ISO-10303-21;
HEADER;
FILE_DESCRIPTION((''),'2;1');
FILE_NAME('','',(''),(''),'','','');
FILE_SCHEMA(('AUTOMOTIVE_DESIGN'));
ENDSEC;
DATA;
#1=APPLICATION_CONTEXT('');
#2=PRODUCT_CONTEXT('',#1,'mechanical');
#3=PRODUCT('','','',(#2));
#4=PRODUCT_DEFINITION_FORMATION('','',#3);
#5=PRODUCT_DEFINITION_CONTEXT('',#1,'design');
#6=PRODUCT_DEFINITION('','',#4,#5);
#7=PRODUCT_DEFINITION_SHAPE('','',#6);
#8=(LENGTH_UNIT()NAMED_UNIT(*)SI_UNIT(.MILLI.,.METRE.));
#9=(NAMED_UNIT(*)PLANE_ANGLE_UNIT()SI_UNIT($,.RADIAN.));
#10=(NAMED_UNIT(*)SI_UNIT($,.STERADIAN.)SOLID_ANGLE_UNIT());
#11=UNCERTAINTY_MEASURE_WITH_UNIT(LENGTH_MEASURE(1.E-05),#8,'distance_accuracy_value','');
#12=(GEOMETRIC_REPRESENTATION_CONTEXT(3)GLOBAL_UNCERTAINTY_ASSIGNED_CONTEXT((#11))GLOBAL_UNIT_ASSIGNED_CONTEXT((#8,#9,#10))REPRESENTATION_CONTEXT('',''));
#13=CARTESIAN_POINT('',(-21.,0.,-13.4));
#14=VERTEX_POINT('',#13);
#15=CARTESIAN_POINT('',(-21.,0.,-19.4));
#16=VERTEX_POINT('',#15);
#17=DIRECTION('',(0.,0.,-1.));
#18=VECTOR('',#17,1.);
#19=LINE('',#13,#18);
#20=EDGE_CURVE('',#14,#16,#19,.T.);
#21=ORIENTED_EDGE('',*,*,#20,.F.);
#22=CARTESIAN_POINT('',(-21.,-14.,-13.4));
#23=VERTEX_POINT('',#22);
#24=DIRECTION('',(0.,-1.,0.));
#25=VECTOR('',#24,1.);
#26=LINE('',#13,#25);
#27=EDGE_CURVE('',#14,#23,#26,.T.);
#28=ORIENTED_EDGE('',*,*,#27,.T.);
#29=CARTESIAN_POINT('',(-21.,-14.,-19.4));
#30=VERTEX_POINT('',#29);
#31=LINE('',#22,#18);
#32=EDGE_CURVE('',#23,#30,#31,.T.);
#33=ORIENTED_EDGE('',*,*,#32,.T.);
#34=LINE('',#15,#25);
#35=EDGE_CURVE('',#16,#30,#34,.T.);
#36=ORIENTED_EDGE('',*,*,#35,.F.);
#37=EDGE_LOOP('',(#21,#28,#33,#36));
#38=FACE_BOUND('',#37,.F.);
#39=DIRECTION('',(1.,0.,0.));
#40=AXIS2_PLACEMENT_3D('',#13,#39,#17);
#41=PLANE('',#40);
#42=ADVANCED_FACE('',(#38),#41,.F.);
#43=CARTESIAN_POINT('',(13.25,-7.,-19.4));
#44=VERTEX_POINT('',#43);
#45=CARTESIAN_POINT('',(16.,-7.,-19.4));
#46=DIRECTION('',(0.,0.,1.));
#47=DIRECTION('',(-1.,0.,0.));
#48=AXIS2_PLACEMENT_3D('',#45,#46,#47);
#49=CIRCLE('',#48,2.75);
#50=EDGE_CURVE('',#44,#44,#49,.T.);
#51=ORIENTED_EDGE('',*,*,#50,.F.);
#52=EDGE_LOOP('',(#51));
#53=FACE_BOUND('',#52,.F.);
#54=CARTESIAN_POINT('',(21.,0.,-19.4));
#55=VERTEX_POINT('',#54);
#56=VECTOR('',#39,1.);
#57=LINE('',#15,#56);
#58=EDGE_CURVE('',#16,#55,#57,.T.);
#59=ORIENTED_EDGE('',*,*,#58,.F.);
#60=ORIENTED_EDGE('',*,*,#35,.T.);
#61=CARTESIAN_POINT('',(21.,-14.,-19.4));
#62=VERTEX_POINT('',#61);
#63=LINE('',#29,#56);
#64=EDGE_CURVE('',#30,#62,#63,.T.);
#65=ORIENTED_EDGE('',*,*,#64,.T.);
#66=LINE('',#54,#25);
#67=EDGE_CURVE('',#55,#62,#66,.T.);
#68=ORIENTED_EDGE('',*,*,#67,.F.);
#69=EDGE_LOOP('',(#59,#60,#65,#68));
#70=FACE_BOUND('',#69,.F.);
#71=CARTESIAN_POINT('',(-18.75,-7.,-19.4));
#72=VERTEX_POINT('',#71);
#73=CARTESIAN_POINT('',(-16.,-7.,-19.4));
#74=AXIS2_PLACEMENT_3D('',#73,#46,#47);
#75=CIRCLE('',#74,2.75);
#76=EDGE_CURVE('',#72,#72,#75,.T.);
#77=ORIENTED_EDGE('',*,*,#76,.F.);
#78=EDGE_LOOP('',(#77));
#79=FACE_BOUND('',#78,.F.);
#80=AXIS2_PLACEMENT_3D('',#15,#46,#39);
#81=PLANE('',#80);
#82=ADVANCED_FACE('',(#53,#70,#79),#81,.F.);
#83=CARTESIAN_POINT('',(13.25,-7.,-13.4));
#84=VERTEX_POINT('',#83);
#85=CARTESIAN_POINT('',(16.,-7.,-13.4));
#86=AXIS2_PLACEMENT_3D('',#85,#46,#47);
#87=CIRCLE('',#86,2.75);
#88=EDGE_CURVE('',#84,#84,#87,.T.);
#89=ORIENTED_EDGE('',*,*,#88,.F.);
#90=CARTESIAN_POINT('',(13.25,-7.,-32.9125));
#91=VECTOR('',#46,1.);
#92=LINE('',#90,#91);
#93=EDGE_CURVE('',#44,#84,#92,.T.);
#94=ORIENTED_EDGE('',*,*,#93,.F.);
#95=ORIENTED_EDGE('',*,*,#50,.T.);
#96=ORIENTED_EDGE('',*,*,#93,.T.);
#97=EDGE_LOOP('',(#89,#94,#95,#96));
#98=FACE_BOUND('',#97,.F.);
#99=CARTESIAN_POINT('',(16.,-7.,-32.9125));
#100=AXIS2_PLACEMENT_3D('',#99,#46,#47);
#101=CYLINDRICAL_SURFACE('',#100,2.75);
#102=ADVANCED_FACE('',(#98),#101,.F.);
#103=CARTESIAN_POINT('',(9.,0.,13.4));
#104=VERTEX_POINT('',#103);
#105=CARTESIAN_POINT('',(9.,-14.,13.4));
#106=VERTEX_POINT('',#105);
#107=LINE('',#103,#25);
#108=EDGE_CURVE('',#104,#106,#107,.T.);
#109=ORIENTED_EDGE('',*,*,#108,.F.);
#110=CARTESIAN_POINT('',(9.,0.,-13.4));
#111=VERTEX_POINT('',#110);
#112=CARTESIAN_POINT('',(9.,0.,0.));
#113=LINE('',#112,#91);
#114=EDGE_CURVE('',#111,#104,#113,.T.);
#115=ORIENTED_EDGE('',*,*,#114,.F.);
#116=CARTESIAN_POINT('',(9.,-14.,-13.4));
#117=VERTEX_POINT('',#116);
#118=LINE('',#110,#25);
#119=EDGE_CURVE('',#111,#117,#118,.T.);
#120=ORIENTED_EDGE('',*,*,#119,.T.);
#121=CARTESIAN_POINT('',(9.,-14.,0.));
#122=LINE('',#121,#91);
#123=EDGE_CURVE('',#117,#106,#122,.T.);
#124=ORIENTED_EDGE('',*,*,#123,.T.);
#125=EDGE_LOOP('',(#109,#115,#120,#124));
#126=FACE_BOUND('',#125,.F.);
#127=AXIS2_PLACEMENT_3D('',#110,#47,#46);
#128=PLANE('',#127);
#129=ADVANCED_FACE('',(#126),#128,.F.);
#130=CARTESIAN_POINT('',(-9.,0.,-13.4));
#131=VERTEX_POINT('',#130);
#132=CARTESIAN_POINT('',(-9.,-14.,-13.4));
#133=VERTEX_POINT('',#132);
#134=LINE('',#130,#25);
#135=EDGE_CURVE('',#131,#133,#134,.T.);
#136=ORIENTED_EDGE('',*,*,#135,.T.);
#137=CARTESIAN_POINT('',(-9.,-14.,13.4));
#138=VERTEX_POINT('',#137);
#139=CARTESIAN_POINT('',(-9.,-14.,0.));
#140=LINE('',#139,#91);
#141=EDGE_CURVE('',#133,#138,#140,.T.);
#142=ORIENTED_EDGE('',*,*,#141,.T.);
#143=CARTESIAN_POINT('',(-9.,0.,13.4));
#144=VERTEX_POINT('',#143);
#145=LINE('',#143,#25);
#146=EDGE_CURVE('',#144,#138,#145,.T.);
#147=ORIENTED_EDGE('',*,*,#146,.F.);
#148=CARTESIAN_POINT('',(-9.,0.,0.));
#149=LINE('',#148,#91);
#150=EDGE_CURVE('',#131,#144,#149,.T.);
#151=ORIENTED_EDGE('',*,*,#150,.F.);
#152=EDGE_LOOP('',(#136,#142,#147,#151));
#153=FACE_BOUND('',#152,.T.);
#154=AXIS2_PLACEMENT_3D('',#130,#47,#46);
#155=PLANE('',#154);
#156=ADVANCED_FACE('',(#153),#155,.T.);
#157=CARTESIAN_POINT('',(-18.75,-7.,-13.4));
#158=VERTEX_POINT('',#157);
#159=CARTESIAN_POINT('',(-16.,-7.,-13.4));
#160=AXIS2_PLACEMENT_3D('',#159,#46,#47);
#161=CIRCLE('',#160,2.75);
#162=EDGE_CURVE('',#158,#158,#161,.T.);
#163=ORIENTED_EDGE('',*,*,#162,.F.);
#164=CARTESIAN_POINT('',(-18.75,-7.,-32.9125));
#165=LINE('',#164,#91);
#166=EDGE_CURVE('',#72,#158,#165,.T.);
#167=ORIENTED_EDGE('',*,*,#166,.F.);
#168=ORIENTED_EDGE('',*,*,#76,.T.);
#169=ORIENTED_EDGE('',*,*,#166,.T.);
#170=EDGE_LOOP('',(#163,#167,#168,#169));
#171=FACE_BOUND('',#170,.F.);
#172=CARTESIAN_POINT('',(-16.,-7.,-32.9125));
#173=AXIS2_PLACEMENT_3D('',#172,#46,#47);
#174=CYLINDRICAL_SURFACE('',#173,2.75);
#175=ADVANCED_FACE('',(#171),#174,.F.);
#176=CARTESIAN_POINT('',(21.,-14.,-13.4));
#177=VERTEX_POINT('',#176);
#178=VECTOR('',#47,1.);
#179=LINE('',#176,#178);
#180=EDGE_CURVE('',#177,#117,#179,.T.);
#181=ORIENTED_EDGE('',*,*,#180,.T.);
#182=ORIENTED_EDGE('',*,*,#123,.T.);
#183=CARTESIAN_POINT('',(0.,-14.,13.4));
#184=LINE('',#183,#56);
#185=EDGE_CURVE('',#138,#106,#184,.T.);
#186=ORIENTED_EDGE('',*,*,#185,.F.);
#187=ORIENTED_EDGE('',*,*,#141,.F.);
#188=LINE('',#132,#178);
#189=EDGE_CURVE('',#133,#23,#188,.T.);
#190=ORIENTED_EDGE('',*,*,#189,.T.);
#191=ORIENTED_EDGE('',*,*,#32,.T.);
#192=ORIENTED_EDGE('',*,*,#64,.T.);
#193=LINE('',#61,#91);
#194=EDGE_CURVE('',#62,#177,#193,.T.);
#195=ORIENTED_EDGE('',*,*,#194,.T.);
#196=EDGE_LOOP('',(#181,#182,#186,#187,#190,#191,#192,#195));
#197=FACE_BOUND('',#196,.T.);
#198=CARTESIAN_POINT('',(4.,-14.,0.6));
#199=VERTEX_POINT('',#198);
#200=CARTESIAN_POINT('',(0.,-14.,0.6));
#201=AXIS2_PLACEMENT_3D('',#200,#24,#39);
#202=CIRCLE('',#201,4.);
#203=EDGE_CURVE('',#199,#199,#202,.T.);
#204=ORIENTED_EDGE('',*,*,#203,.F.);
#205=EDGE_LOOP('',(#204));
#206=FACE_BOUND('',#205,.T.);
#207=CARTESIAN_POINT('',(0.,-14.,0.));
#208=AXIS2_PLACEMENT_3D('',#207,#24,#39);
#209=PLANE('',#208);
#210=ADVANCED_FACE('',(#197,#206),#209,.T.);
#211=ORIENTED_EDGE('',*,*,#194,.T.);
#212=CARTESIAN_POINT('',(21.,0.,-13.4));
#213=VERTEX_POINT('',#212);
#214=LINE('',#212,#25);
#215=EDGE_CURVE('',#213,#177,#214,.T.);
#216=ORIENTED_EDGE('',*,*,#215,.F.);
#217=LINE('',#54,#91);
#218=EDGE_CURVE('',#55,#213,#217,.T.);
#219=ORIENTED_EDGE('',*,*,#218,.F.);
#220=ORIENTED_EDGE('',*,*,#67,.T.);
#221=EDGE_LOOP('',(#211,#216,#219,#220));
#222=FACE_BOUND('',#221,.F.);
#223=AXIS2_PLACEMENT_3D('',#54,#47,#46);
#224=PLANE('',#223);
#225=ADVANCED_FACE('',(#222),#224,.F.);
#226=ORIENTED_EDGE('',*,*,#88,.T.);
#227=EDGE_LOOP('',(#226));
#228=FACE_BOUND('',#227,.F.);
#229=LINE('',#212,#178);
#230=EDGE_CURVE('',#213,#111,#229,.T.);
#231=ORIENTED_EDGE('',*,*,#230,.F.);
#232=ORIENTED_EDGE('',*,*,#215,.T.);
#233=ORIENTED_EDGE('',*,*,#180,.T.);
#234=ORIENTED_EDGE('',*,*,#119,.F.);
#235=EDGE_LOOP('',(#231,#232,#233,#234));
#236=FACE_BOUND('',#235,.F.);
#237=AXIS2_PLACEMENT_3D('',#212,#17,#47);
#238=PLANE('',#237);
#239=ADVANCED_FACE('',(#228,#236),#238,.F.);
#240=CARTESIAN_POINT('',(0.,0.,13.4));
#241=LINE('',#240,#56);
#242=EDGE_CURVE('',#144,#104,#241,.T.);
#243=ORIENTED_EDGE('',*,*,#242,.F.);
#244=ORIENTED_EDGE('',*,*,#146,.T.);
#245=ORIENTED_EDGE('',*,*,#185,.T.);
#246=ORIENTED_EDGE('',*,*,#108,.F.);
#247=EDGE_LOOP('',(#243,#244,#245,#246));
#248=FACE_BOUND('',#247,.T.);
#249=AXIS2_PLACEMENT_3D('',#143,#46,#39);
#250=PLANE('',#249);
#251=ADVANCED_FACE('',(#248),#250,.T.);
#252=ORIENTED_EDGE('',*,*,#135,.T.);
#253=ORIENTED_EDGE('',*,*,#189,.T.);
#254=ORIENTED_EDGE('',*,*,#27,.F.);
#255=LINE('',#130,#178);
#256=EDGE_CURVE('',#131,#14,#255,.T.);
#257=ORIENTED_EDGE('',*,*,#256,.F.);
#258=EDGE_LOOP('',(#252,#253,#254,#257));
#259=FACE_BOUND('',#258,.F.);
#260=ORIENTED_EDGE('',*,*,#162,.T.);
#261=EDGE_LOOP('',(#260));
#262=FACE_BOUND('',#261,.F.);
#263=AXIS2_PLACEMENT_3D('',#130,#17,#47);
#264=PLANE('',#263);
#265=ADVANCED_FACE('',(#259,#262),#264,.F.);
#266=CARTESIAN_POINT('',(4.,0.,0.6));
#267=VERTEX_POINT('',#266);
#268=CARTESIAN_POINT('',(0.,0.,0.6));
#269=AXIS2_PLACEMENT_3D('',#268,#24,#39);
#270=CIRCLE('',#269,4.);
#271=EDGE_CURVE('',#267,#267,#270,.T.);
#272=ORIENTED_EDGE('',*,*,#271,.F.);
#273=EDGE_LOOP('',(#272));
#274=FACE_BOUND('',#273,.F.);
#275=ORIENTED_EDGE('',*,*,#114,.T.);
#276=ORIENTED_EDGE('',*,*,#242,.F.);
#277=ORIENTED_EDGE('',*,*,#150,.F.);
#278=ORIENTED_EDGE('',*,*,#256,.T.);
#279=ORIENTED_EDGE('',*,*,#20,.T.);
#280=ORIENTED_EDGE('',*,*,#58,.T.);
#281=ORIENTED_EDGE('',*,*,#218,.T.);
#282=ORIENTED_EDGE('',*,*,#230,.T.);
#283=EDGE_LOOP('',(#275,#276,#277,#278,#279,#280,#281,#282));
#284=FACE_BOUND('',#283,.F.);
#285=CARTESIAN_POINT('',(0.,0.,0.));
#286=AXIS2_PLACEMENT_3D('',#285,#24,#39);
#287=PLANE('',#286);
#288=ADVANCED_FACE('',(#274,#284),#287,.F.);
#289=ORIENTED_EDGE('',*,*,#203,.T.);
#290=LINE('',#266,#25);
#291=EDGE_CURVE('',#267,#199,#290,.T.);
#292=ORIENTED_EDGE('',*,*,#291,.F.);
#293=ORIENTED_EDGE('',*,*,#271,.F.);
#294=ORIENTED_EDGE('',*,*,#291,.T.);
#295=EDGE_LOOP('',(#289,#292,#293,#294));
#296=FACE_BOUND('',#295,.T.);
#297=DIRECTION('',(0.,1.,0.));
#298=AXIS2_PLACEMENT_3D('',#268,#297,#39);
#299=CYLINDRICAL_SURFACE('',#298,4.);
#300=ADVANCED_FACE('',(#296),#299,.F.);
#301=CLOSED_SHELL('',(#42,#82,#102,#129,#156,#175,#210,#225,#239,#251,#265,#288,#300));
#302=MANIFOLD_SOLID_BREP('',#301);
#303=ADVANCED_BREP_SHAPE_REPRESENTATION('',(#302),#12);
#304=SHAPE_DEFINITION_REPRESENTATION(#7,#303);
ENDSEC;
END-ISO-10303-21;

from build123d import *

# Parameters (mm, degrees)
F0_W     = 18
F0_H     = 26.8
F0_R     = 4
F1_DEPTH = 14
F3_D     = 5.5
F3_DEPTH = 13.5125
F3_TIP   = 1.6523667023


with BuildPart() as f1:
    # F0 (on Front) → F1 (new body)
    with BuildSketch(Plane.XZ):
        Rectangle(F0_W, F0_H)
        with Locations((0, 0.6)):
            Circle(F0_R, mode=Mode.SUBTRACT)
        Polygon((21, -13.4), (9, -13.4), (-9, -13.4), (-21, -13.4), (-21, -19.4), (21, -19.4), align=None)
    extrude(amount=F1_DEPTH)

    # F3
    with Locations(Plane(origin=(0, 0, -19.4), x_dir=(1, 0, 0), z_dir=(0, 0, -1))):
        with Locations((-16, 7), (16, 7)):
            Hole(F3_D / 2, depth=F3_DEPTH)
            with Locations((0, 0, -(F3_DEPTH + F3_TIP / 2))):  # 118° drill point
                Cone(0, F3_D / 2, F3_TIP, mode=Mode.SUBTRACT)


solid = f1.part
